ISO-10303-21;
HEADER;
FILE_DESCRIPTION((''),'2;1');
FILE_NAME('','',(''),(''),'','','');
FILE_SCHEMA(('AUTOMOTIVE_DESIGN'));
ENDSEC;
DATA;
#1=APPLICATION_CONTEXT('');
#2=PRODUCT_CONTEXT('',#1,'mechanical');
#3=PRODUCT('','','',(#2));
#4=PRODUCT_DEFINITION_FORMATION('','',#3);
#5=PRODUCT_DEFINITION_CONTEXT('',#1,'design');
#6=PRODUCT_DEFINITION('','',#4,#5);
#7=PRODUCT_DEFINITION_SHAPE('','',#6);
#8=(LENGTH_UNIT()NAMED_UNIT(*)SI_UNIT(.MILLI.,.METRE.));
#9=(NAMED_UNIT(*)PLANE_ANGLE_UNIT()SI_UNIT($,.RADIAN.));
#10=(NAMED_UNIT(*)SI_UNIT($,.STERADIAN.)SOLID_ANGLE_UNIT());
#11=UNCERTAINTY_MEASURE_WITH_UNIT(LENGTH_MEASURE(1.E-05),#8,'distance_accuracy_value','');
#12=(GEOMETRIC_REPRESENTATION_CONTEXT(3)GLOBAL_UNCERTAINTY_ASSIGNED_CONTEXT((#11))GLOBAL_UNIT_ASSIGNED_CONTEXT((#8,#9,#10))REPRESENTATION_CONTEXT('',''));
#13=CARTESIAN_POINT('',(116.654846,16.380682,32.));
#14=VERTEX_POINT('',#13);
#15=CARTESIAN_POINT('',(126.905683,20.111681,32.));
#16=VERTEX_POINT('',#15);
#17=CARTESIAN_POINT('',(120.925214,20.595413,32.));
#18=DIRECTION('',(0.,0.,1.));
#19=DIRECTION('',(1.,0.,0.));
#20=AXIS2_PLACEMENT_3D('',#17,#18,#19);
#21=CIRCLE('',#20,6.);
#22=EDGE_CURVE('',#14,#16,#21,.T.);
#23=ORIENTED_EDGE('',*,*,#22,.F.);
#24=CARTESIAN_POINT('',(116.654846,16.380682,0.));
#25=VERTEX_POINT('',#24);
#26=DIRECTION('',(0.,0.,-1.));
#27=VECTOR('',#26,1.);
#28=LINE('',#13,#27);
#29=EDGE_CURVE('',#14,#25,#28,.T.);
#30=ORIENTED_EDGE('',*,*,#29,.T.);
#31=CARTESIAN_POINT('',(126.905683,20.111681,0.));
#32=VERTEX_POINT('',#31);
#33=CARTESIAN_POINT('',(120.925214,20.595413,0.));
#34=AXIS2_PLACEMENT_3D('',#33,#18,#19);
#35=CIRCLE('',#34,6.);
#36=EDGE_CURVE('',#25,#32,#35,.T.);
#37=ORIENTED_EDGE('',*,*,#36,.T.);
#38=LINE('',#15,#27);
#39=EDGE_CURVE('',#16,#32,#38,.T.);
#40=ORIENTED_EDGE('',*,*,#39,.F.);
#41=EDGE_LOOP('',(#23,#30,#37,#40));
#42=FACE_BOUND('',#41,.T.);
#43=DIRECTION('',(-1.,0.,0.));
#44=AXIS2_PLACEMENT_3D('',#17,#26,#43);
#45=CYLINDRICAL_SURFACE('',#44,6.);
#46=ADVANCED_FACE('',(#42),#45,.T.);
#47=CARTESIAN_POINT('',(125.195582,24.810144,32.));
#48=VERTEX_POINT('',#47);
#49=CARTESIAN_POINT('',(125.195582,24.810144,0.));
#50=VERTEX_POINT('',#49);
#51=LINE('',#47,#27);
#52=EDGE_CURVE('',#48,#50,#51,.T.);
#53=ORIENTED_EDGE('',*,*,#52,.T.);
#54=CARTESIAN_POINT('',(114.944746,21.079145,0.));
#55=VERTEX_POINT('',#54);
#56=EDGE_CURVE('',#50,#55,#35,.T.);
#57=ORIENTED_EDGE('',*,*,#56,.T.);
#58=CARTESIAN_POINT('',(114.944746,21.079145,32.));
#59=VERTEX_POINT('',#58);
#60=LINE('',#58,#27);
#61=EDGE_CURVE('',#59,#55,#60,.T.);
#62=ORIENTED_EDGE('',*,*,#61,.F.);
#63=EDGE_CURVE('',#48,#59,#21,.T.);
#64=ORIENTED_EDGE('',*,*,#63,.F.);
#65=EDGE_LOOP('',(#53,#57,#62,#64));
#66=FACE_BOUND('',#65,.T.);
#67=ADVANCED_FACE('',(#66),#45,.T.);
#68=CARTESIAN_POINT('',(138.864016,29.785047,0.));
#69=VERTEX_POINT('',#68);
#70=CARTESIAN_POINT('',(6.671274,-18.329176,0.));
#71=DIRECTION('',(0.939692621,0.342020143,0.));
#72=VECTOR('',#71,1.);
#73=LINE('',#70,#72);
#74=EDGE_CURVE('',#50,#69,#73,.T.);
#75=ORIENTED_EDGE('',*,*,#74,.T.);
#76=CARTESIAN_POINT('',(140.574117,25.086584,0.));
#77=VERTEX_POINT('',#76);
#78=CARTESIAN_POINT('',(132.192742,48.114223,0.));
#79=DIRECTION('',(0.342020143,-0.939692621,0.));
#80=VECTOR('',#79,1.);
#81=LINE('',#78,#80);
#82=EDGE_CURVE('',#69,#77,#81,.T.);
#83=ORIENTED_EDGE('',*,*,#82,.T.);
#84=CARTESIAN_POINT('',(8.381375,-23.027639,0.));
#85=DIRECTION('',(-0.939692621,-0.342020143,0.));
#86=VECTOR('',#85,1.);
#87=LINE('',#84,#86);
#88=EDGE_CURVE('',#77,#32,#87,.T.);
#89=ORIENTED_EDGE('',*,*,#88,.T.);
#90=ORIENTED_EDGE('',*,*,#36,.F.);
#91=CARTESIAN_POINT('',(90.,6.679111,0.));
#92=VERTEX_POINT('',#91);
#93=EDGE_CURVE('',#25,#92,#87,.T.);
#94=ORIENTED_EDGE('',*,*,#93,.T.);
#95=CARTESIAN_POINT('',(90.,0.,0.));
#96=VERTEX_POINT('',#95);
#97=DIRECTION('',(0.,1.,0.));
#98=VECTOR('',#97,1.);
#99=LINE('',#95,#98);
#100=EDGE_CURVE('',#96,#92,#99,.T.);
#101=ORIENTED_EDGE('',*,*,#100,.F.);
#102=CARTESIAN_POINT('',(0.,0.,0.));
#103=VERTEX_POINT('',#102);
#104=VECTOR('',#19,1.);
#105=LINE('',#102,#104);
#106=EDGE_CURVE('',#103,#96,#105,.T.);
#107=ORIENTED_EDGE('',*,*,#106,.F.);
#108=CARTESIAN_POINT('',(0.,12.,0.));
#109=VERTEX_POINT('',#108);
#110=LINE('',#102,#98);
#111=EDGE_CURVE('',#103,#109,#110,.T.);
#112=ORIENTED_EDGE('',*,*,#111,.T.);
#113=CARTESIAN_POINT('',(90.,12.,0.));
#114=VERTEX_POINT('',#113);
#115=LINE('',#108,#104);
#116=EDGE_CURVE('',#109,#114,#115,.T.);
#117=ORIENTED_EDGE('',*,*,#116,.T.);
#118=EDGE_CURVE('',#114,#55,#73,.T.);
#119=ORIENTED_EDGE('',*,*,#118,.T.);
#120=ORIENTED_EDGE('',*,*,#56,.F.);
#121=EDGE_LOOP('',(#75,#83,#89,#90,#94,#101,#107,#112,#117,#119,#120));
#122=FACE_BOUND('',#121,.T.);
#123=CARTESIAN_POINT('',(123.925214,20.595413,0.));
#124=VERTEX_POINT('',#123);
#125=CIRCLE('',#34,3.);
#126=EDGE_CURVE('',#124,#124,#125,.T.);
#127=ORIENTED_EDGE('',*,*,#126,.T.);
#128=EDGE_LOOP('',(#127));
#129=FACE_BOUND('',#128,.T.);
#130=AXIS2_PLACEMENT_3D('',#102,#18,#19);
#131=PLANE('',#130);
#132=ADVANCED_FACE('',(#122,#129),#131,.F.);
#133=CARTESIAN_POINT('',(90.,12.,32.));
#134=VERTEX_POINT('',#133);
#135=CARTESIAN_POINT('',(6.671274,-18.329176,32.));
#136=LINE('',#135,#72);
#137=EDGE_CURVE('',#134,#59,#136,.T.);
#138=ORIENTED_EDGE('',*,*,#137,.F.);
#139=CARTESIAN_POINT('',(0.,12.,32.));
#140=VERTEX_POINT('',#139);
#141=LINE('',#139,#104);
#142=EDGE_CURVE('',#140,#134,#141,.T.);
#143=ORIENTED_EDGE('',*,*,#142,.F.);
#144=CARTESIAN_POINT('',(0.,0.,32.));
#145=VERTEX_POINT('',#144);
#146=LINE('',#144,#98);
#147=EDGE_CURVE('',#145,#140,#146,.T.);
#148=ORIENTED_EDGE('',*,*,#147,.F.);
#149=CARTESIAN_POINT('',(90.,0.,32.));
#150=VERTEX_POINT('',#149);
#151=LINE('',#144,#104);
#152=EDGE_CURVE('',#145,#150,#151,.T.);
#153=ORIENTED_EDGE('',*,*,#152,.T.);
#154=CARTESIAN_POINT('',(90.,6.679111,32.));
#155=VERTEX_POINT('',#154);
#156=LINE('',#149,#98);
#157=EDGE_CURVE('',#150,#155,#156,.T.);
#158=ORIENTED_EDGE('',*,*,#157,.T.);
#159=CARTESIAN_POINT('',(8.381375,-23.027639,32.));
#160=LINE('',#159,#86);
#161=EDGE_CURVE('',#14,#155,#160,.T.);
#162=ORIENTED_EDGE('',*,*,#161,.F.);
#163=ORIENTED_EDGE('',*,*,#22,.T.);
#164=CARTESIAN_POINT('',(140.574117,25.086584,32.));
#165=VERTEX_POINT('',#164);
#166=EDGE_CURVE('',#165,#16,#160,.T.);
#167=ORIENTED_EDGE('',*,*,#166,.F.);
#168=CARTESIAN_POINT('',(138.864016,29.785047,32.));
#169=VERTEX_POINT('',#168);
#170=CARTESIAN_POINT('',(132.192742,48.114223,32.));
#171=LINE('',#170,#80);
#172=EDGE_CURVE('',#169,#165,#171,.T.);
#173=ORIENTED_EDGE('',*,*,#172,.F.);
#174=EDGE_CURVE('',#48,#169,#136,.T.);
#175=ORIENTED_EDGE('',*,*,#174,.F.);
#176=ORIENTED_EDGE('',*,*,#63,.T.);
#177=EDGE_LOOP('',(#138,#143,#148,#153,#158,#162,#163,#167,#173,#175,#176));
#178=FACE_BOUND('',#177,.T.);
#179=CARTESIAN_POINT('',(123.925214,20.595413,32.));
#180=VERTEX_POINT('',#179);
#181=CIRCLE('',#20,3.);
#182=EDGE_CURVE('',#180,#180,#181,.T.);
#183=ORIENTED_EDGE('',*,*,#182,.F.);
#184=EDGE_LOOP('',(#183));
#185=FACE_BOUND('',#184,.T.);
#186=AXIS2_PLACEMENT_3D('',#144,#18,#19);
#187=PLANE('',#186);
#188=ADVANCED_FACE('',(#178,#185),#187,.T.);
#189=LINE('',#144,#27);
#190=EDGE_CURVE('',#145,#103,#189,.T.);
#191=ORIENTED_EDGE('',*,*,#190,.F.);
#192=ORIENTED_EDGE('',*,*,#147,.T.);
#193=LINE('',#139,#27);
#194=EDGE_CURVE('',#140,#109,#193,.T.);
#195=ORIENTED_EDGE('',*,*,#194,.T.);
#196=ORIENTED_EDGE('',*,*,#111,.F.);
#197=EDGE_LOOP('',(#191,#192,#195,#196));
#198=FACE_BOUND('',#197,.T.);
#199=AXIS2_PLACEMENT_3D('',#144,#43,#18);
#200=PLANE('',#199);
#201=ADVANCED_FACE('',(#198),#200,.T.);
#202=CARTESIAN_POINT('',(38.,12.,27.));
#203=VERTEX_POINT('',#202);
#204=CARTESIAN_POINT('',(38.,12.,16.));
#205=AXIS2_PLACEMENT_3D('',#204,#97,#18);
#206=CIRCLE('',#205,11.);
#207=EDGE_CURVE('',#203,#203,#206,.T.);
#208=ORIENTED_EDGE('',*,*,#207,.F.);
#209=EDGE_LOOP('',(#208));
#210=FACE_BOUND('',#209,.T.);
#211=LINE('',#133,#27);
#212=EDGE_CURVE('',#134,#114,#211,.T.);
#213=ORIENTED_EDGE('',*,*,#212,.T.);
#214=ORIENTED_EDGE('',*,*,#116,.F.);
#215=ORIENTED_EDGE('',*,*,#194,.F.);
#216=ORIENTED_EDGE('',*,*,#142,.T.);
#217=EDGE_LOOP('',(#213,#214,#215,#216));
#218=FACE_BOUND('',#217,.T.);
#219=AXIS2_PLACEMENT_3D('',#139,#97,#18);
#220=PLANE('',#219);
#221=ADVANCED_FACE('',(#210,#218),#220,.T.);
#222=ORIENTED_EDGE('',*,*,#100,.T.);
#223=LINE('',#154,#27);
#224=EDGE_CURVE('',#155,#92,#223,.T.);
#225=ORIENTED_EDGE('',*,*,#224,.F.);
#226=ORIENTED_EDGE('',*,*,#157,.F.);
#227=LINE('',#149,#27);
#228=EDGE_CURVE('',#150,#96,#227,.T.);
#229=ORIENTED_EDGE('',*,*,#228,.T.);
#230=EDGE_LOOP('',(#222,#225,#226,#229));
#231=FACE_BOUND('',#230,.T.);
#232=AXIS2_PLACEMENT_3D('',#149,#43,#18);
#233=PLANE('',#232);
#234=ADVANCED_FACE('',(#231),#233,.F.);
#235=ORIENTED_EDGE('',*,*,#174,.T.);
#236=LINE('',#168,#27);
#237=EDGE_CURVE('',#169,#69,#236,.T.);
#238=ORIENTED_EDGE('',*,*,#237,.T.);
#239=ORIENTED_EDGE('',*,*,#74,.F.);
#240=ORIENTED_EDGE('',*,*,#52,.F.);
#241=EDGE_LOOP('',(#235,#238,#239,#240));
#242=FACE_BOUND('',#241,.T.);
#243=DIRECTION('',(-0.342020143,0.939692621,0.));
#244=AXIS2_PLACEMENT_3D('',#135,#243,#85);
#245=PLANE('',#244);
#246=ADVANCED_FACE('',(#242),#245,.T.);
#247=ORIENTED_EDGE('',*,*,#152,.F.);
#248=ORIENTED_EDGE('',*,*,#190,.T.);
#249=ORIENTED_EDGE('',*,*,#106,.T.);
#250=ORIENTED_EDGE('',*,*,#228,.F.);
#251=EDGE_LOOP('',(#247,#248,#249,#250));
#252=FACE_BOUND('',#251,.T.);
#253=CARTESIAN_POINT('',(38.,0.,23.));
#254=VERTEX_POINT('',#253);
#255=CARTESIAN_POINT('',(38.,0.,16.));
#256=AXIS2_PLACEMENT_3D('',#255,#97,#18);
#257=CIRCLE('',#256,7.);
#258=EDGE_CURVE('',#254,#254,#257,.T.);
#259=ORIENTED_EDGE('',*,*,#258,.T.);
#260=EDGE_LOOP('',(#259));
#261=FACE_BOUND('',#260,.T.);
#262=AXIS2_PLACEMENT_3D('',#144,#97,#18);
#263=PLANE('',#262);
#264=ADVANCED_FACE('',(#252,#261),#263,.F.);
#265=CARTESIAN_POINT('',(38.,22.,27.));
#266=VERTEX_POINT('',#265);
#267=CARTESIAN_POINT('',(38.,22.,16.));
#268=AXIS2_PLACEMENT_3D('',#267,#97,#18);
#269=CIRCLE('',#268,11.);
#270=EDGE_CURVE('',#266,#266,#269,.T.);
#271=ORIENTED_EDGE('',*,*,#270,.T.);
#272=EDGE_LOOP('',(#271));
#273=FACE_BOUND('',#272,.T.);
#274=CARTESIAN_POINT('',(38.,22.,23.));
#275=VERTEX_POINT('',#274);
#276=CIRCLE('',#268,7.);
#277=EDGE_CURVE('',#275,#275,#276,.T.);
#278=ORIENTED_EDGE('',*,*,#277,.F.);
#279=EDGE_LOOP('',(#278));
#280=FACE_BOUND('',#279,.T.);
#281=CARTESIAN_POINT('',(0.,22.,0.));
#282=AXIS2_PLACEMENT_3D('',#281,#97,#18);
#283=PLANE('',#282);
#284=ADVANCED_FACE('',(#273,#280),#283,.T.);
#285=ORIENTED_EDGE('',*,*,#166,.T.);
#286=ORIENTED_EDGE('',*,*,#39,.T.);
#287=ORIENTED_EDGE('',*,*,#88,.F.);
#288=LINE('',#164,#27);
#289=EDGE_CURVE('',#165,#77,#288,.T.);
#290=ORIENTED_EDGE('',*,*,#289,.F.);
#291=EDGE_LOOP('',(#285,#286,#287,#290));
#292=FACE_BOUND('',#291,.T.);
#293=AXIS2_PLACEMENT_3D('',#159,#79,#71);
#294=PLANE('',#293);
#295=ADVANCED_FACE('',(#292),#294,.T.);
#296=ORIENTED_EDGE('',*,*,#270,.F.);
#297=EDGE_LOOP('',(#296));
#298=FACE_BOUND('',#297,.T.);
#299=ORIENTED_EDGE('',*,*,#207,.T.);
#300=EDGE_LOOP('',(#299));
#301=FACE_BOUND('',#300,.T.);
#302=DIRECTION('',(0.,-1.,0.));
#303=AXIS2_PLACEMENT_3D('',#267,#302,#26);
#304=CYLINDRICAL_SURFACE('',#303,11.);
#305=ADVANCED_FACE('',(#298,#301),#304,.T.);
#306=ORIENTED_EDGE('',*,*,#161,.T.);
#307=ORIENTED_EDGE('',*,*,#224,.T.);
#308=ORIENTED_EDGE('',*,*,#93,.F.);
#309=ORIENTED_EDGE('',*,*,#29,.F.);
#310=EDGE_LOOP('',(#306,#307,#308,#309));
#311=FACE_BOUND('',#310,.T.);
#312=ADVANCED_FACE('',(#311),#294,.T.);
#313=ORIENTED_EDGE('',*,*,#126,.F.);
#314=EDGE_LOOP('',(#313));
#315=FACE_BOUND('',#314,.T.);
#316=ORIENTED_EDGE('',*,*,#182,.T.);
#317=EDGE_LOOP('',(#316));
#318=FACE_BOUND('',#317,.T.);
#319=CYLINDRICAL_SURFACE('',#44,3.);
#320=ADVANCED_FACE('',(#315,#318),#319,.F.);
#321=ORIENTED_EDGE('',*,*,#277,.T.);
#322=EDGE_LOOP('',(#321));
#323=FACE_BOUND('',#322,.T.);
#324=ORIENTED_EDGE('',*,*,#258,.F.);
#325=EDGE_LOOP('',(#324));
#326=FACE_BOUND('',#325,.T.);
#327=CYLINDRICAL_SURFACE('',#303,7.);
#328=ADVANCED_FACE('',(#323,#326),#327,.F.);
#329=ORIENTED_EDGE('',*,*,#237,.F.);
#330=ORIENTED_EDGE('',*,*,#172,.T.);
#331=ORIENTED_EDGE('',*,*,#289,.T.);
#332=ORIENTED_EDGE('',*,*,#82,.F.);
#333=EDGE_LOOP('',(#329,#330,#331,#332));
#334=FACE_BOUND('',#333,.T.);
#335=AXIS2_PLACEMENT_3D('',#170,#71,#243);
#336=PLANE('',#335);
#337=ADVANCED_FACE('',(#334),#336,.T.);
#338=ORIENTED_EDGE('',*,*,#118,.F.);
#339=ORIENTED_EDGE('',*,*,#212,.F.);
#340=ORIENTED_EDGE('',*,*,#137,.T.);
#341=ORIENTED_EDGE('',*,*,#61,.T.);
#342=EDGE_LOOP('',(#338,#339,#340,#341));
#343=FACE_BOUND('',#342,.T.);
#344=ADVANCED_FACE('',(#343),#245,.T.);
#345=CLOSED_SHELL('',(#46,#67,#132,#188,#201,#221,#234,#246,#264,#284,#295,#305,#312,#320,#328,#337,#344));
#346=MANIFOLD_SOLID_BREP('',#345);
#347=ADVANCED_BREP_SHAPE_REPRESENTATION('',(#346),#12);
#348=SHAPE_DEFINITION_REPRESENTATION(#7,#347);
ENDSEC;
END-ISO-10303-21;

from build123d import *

# Parameters (mm, degrees)
SKETCH_1_R          = 3
EXTRUDE_1_DEPTH     = 32
SKETCH_2_R          = 11
SKETCH_2_R_2        = 7
EXTRUDE_4_DEPTH     = 10
SKETCH_2_5_R        = 7
CUT_EXTRUDE_1_DEPTH = 146.263175934


with BuildPart() as part:
    # 스케치1 → 보스-돌출1 (new body)
    with BuildSketch(Plane.XY):
        with BuildLine():
            Line((114.944745727, 21.079144946), (90, 12))
            Line((90, 12), (0, 12))
            Line((0, 12), (0, 0))
            Line((0, 0), (90, 0))
            Line((90, 0), (90, 6.679111138))
            Line((90, 6.679111138), (116.654846444, 16.380681842))
            ThreePointArc((116.654846444, 16.380681842), (122.977335083, 14.95725731), (126.90568272, 20.111681123))
            Line((126.90568272, 20.111681123), (140.574116997, 25.086584349))
            Line((140.574116997, 25.086584349), (138.864016281, 29.785047453))
            Line((138.864016281, 29.785047453), (125.195582003, 24.810144227))
            ThreePointArc((125.195582003, 24.810144227), (118.873093364, 26.233568759), (114.944745727, 21.079144946))
        make_face()
        with Locations((120.925214223, 20.595413034)):
            Circle(SKETCH_1_R, mode=Mode.SUBTRACT)
    extrude(amount=EXTRUDE_1_DEPTH)

    # 스케치2 → 보스-돌출4 (add)
    with BuildSketch(Plane(origin=(0, 12, 0), x_dir=(1, 0, 0), z_dir=(0, 1, 0))):
        with Locations((38, -16)):
            Circle(SKETCH_2_R)
        with Locations((38, -16)):
            Circle(SKETCH_2_R_2, mode=Mode.SUBTRACT)
    extrude(amount=EXTRUDE_4_DEPTH)

    # 스케치2<5> → 컷-돌출1 (cut, through all)
    with BuildSketch(Plane(origin=(0, 12, 0), x_dir=(1, 0, 0), z_dir=(0, 1, 0))):
        with Locations((38, -16)):
            Circle(SKETCH_2_5_R)
    extrude(amount=-CUT_EXTRUDE_1_DEPTH, mode=Mode.SUBTRACT)


solid = part.part
